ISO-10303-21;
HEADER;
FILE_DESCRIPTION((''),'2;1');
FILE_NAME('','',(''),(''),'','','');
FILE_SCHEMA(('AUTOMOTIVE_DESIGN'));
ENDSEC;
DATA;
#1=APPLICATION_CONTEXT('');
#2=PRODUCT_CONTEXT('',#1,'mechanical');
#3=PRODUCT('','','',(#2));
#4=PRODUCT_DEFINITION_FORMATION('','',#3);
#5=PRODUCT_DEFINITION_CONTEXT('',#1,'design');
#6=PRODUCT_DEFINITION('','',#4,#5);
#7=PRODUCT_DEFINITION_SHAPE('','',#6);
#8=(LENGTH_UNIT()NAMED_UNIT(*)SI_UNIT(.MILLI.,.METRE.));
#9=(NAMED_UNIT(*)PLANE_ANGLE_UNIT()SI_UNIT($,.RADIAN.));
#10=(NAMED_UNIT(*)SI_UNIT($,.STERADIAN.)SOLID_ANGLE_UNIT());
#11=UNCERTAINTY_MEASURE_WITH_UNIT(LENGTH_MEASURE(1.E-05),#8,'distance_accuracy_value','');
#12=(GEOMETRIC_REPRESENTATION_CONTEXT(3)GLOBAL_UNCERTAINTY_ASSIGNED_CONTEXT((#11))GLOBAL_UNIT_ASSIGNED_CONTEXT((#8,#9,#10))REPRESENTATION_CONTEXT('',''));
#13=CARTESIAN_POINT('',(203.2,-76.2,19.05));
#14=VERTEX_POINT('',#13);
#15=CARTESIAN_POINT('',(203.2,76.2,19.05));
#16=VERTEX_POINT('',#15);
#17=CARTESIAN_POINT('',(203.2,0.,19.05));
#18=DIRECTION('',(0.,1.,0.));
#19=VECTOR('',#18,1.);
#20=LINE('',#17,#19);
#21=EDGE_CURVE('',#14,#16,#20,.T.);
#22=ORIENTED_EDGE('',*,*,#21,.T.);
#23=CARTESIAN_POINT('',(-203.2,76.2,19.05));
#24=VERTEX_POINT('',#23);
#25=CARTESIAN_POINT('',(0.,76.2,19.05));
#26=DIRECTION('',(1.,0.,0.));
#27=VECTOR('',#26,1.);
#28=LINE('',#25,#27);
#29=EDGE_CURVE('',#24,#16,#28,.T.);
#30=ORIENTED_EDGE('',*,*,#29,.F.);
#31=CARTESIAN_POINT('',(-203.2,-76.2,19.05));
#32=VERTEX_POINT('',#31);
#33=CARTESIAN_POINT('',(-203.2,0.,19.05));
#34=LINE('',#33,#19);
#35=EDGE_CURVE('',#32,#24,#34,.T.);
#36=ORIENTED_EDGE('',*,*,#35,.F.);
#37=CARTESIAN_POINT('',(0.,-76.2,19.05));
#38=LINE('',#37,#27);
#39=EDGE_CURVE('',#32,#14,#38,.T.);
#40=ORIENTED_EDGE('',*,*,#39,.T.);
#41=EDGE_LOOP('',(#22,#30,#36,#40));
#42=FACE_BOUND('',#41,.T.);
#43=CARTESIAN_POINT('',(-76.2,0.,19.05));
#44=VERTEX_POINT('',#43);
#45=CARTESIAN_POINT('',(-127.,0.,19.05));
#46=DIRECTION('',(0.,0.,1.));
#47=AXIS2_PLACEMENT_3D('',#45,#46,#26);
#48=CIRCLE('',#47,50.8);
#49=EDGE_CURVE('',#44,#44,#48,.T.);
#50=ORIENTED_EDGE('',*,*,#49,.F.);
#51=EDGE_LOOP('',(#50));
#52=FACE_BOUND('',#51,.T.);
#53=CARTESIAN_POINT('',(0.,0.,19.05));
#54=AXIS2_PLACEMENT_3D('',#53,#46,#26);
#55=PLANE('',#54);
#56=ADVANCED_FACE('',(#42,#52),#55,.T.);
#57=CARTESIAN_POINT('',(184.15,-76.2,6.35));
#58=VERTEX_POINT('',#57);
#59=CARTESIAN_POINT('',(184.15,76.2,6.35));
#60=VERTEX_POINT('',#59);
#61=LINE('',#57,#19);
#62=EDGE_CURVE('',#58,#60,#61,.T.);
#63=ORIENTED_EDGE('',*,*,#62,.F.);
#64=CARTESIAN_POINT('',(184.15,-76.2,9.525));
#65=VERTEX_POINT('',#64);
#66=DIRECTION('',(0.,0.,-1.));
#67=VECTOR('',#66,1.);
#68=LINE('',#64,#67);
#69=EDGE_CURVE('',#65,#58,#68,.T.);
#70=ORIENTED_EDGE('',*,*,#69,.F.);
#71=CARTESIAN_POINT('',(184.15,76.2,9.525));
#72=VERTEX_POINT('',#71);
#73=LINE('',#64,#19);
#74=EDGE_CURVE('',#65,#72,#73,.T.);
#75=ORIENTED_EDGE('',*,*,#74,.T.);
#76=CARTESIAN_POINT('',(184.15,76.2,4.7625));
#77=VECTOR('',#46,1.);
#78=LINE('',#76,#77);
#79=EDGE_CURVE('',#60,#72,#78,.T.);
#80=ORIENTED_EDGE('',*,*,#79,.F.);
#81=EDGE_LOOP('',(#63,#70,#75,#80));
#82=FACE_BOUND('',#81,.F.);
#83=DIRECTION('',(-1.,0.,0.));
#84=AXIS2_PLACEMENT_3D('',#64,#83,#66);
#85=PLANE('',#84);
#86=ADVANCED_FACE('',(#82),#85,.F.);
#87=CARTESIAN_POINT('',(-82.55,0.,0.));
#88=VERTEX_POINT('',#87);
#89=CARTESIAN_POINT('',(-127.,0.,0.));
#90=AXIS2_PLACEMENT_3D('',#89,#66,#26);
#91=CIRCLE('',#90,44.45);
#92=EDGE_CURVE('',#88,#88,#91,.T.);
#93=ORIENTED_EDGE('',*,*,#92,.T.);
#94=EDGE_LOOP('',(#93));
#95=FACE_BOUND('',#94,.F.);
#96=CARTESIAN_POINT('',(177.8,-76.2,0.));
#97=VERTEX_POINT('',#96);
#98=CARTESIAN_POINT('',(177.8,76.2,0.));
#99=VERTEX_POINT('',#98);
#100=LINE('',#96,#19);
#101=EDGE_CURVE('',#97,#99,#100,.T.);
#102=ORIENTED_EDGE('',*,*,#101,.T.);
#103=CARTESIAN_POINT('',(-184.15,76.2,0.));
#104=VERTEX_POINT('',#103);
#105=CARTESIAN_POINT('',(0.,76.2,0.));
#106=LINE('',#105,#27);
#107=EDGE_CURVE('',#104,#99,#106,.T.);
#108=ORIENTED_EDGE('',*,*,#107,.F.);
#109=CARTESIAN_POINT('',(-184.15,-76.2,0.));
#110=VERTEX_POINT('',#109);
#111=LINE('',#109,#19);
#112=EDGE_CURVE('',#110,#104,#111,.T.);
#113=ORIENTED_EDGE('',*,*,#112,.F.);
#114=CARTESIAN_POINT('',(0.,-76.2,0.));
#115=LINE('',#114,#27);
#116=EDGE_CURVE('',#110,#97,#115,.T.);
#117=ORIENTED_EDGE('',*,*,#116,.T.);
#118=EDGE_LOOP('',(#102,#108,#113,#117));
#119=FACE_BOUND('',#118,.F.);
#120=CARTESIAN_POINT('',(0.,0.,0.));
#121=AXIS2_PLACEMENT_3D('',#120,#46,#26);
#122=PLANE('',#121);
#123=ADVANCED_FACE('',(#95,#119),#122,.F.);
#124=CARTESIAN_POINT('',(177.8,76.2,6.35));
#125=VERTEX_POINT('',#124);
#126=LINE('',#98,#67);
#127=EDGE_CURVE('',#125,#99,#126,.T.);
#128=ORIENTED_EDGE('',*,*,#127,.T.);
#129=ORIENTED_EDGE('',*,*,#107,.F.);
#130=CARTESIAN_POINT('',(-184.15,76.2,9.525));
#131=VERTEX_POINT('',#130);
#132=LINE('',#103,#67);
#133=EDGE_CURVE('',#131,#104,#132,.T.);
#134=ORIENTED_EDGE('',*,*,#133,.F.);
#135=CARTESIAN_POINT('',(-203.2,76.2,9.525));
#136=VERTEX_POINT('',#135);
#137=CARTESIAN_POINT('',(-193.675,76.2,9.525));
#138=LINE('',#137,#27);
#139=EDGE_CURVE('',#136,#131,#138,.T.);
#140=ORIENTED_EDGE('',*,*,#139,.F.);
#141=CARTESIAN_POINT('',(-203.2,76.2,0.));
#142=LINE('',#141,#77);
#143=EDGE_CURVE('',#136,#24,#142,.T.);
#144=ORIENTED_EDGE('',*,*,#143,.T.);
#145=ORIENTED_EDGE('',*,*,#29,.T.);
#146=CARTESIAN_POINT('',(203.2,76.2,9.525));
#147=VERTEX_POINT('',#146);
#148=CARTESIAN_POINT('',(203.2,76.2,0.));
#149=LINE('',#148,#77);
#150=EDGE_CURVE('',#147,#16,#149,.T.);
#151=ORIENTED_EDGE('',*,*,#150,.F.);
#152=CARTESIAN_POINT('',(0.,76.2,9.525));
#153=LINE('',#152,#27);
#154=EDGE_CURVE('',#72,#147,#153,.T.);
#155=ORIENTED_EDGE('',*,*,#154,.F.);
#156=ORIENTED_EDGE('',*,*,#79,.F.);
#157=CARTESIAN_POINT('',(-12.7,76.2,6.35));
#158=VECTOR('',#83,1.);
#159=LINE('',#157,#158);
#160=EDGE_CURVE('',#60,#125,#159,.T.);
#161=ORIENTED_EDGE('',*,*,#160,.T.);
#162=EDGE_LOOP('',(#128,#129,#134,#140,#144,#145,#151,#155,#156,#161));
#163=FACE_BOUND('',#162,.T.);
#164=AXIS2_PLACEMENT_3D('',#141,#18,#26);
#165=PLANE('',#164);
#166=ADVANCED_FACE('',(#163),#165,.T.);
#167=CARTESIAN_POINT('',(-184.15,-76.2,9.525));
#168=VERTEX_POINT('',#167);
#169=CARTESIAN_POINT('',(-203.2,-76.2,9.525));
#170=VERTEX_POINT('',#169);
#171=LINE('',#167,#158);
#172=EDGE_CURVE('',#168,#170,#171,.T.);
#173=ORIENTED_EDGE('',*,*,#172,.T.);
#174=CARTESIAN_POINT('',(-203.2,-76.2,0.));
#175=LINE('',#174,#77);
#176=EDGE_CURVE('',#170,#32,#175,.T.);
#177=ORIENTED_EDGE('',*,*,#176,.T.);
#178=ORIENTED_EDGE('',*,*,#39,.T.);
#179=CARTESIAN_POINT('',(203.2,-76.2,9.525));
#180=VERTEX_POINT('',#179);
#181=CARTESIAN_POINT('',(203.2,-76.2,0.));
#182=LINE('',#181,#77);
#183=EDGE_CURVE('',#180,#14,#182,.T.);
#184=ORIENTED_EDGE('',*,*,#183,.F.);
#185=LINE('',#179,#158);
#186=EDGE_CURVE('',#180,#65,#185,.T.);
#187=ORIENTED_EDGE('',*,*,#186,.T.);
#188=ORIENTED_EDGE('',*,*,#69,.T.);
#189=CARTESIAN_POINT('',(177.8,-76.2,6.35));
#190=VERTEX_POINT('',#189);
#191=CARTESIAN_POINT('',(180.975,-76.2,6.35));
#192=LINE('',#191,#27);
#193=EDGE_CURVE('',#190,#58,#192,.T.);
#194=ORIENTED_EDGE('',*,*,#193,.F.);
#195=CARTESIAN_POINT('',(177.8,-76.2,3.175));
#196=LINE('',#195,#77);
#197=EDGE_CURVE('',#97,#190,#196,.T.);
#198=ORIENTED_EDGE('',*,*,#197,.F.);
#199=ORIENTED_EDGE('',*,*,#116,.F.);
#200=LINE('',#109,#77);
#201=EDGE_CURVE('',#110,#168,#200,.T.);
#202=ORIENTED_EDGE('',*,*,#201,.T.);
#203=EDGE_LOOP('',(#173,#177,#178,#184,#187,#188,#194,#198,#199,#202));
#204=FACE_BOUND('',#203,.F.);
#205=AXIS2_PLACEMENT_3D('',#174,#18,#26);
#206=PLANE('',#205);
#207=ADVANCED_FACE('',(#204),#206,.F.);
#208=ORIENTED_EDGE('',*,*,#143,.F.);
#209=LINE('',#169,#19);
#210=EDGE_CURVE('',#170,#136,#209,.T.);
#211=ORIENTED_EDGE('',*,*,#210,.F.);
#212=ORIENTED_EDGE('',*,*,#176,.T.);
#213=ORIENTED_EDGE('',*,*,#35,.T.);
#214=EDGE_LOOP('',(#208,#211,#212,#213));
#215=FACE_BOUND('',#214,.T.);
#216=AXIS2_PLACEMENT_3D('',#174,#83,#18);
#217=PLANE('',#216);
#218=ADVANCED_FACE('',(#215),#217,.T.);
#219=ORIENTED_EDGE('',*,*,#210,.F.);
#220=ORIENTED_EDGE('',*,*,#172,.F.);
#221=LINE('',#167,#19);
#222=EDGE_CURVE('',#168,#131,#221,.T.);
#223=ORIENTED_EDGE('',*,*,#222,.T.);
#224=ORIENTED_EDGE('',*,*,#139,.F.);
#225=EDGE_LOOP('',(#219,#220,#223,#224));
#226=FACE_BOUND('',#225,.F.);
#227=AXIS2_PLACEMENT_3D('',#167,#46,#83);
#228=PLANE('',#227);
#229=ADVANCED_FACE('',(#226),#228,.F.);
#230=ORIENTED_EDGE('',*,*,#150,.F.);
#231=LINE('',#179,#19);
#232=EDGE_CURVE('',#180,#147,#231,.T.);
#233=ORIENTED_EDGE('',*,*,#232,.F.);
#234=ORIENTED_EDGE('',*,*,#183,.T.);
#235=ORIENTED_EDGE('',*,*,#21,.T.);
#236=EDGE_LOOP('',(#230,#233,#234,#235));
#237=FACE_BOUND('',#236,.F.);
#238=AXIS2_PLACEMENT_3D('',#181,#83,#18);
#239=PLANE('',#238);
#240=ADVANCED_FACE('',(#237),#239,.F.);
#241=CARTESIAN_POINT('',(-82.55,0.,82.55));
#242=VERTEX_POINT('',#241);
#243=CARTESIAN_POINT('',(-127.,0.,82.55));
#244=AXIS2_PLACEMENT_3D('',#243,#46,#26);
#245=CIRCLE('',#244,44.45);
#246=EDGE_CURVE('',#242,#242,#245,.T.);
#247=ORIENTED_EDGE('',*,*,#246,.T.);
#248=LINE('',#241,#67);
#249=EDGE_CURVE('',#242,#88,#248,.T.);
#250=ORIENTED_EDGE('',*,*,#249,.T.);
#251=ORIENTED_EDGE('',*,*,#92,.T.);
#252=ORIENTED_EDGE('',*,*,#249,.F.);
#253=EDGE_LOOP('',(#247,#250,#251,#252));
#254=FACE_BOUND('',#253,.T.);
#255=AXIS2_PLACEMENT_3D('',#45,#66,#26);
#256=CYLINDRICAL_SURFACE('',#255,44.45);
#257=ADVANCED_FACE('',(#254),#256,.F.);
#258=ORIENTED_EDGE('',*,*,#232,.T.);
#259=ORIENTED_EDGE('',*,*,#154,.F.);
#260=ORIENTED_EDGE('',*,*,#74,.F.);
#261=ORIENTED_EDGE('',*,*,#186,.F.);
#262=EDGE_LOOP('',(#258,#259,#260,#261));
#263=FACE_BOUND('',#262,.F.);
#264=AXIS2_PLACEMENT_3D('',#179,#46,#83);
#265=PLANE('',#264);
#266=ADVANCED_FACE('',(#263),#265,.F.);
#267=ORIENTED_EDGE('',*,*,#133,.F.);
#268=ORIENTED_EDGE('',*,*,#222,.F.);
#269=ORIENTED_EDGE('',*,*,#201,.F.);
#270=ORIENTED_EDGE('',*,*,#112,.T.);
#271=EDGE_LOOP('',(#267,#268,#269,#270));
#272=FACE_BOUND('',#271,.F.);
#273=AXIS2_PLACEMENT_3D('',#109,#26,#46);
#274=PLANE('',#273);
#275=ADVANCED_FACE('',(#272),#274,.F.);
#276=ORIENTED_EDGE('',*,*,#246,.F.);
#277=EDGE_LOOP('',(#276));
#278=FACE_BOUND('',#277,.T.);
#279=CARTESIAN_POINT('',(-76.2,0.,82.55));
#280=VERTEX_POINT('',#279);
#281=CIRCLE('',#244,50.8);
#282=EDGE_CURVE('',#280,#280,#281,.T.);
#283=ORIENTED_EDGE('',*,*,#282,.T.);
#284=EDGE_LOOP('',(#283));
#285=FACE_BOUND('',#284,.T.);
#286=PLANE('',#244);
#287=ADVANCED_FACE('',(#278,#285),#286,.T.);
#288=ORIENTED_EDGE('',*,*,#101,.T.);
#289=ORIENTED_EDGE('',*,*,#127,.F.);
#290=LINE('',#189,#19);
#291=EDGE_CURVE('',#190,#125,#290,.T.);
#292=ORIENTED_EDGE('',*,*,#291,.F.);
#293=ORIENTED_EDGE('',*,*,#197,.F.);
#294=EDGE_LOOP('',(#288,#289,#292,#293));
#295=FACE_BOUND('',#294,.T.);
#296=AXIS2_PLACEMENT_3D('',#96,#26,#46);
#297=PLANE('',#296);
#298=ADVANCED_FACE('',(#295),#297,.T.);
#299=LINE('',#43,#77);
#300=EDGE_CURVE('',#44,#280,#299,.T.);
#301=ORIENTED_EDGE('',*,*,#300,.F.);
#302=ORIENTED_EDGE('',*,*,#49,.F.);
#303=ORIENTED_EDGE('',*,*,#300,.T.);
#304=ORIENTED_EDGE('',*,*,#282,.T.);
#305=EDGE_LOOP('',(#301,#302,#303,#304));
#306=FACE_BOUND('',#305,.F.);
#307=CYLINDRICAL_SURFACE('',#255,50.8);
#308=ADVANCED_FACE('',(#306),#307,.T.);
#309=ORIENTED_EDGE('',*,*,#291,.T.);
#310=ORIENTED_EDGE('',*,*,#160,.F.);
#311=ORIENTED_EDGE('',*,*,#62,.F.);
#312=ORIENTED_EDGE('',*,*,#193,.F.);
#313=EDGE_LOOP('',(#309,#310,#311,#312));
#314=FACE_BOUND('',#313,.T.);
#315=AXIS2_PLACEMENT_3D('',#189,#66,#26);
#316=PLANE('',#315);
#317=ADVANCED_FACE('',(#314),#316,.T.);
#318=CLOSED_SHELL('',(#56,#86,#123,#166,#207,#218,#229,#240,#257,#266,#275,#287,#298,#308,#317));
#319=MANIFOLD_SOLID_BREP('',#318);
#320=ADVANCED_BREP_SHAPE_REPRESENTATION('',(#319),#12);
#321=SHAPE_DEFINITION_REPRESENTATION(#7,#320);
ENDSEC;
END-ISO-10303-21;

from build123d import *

# Parameters (mm, degrees)
F0_W     = 406.4
F0_H     = 152.4
F1_DEPTH = 19.05
F2_W     = 6.35
F2_H     = 6.35
F3_DEPTH = 152.401
F4_R     = 44.45
F5_DEPTH = 19.051
F6_R     = 50.8
F6_R_2   = 44.45
F7_DEPTH = 63.5


with BuildPart() as f1:
    # F0 (on Top) → F1 (new body)
    with BuildSketch(Plane.XY):
        Rectangle(F0_W, F0_H)
    extrude(amount=F1_DEPTH)

    # F2 (on face) → F3 (cut, through all)
    with BuildSketch(Plane.XZ.offset(76.2)):
        Polygon((-203.2, 9.525), (-203.2, 0), (-184.15, 0), (-184.15, 6.35), (-184.15, 9.525), align=None)
        Polygon((184.15, 6.35), (184.15, 0), (203.2, 0), (203.2, 9.525), (184.15, 9.525), align=None)
        with Locations((180.975, 3.175)):
            Rectangle(F2_W, F2_H)
    extrude(amount=-F3_DEPTH, mode=Mode.SUBTRACT)

    # F4 (on face) → F5 (cut, through all)
    with BuildSketch(Plane(origin=(0, 0, 0), x_dir=(1, 0, 0), z_dir=(0, 0, -1))):
        with Locations((-127, 0)):
            Circle(F4_R)
    extrude(amount=-F5_DEPTH, mode=Mode.SUBTRACT)

    # F6 (on face) → F7 (join)
    with BuildSketch(Plane.XY.offset(19.05)):
        with Locations((-127, 0)):
            Circle(F6_R)
        with Locations((-127, 0)):
            Circle(F6_R_2, mode=Mode.SUBTRACT)
    extrude(amount=F7_DEPTH)


solid = f1.part
